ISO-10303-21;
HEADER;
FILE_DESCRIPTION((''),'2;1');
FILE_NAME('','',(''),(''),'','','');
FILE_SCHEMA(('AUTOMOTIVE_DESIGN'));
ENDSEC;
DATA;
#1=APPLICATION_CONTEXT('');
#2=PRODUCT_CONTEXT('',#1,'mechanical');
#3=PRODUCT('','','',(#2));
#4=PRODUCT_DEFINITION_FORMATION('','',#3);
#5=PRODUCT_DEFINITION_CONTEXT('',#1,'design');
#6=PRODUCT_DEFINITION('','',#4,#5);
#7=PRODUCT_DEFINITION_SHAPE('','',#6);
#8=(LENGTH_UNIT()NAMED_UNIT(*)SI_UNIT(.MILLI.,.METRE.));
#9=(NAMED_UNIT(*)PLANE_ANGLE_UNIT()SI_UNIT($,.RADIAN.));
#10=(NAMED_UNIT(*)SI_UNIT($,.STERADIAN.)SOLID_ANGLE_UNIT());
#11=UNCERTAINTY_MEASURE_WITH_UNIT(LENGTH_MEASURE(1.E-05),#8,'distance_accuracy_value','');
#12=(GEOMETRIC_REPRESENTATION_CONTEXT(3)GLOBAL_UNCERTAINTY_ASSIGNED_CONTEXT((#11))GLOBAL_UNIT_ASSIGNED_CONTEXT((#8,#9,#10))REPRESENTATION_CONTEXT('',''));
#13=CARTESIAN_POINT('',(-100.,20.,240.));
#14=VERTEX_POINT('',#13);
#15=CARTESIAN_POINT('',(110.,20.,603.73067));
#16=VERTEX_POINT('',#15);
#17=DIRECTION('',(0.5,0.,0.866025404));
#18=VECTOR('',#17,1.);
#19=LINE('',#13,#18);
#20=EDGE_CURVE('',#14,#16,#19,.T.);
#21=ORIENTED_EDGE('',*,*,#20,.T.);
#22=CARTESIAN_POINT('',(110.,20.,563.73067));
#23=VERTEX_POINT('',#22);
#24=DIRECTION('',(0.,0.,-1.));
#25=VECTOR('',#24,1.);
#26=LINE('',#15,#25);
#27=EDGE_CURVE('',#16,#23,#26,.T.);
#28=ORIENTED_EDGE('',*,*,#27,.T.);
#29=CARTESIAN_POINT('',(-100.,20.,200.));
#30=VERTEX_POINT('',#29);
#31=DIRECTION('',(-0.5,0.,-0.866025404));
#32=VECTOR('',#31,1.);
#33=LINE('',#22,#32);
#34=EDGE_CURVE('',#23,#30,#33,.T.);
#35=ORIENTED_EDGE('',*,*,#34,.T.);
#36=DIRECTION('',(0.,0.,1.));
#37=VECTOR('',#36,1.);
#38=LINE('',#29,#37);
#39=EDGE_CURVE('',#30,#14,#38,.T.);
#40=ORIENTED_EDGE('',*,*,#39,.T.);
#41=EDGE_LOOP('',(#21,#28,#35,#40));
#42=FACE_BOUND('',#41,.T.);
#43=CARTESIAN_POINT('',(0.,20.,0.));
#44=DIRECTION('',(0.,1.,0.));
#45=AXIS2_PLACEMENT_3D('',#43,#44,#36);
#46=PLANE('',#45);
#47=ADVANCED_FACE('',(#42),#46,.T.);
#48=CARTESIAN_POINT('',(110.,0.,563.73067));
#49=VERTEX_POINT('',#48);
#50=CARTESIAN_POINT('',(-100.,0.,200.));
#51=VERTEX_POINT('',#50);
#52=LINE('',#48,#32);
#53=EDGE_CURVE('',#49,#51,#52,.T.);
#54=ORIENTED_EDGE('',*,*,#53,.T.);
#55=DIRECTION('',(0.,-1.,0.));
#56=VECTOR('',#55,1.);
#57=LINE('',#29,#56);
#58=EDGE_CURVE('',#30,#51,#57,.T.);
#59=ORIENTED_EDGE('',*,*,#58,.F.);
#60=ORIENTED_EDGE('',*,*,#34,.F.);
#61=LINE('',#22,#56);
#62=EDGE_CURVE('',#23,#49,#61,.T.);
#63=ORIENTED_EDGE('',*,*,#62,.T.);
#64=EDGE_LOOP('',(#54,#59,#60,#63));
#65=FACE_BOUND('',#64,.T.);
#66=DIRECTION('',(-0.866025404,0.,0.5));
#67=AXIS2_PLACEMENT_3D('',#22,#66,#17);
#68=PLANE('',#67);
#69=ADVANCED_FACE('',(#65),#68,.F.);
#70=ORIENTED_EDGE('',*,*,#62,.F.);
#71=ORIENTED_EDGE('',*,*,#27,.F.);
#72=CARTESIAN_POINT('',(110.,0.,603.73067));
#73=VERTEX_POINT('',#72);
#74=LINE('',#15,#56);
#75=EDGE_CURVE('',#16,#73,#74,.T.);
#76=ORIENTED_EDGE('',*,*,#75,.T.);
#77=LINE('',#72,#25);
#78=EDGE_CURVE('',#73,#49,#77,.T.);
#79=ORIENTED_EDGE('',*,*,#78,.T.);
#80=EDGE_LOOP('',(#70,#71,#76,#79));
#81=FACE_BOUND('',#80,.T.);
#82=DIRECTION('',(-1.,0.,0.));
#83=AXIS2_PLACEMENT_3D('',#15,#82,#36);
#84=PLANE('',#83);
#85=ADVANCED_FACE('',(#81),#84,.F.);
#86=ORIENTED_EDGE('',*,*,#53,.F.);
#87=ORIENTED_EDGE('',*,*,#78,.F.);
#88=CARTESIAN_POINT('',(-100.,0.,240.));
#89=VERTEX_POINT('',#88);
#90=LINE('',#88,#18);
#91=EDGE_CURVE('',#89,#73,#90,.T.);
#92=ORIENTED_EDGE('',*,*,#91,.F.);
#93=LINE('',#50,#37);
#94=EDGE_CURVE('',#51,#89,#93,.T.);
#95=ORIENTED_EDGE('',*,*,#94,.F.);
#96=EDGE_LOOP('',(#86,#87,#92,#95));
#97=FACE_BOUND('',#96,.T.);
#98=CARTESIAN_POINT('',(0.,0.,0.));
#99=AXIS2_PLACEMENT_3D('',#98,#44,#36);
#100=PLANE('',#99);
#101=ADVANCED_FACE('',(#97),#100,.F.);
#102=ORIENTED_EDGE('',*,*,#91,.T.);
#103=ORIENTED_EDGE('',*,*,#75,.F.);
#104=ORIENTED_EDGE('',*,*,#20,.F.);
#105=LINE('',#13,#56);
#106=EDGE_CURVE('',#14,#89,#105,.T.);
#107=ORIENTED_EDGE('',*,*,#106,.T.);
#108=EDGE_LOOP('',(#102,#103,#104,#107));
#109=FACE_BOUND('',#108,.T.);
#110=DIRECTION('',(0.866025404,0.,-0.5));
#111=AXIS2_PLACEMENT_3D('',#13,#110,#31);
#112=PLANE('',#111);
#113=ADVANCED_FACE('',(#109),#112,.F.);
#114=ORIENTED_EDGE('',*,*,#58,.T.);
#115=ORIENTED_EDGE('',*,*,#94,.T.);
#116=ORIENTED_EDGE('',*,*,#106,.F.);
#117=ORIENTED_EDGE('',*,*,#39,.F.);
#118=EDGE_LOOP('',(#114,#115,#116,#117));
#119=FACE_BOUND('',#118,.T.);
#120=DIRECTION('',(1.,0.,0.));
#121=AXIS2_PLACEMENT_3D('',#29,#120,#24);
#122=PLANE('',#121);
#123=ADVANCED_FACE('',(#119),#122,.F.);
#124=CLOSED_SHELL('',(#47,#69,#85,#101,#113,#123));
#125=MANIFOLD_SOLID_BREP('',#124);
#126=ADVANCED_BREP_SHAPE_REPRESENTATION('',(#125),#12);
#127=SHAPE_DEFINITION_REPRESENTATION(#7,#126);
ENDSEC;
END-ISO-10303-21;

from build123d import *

# Parameters (mm, degrees)
EXTRUDE_1_DEPTH = 20


with BuildPart() as part:
    # 草图1 → 凸台-拉伸1 (new body)
    with BuildSketch(Plane(origin=(0, 0, 0), x_dir=(1, 0, 0), z_dir=(0, 1, 0))):
        Polygon((110, -603.730669589), (110, -563.730669589), (-100, -200), (-100, -240), align=None)
    extrude(amount=EXTRUDE_1_DEPTH)


solid = part.part
